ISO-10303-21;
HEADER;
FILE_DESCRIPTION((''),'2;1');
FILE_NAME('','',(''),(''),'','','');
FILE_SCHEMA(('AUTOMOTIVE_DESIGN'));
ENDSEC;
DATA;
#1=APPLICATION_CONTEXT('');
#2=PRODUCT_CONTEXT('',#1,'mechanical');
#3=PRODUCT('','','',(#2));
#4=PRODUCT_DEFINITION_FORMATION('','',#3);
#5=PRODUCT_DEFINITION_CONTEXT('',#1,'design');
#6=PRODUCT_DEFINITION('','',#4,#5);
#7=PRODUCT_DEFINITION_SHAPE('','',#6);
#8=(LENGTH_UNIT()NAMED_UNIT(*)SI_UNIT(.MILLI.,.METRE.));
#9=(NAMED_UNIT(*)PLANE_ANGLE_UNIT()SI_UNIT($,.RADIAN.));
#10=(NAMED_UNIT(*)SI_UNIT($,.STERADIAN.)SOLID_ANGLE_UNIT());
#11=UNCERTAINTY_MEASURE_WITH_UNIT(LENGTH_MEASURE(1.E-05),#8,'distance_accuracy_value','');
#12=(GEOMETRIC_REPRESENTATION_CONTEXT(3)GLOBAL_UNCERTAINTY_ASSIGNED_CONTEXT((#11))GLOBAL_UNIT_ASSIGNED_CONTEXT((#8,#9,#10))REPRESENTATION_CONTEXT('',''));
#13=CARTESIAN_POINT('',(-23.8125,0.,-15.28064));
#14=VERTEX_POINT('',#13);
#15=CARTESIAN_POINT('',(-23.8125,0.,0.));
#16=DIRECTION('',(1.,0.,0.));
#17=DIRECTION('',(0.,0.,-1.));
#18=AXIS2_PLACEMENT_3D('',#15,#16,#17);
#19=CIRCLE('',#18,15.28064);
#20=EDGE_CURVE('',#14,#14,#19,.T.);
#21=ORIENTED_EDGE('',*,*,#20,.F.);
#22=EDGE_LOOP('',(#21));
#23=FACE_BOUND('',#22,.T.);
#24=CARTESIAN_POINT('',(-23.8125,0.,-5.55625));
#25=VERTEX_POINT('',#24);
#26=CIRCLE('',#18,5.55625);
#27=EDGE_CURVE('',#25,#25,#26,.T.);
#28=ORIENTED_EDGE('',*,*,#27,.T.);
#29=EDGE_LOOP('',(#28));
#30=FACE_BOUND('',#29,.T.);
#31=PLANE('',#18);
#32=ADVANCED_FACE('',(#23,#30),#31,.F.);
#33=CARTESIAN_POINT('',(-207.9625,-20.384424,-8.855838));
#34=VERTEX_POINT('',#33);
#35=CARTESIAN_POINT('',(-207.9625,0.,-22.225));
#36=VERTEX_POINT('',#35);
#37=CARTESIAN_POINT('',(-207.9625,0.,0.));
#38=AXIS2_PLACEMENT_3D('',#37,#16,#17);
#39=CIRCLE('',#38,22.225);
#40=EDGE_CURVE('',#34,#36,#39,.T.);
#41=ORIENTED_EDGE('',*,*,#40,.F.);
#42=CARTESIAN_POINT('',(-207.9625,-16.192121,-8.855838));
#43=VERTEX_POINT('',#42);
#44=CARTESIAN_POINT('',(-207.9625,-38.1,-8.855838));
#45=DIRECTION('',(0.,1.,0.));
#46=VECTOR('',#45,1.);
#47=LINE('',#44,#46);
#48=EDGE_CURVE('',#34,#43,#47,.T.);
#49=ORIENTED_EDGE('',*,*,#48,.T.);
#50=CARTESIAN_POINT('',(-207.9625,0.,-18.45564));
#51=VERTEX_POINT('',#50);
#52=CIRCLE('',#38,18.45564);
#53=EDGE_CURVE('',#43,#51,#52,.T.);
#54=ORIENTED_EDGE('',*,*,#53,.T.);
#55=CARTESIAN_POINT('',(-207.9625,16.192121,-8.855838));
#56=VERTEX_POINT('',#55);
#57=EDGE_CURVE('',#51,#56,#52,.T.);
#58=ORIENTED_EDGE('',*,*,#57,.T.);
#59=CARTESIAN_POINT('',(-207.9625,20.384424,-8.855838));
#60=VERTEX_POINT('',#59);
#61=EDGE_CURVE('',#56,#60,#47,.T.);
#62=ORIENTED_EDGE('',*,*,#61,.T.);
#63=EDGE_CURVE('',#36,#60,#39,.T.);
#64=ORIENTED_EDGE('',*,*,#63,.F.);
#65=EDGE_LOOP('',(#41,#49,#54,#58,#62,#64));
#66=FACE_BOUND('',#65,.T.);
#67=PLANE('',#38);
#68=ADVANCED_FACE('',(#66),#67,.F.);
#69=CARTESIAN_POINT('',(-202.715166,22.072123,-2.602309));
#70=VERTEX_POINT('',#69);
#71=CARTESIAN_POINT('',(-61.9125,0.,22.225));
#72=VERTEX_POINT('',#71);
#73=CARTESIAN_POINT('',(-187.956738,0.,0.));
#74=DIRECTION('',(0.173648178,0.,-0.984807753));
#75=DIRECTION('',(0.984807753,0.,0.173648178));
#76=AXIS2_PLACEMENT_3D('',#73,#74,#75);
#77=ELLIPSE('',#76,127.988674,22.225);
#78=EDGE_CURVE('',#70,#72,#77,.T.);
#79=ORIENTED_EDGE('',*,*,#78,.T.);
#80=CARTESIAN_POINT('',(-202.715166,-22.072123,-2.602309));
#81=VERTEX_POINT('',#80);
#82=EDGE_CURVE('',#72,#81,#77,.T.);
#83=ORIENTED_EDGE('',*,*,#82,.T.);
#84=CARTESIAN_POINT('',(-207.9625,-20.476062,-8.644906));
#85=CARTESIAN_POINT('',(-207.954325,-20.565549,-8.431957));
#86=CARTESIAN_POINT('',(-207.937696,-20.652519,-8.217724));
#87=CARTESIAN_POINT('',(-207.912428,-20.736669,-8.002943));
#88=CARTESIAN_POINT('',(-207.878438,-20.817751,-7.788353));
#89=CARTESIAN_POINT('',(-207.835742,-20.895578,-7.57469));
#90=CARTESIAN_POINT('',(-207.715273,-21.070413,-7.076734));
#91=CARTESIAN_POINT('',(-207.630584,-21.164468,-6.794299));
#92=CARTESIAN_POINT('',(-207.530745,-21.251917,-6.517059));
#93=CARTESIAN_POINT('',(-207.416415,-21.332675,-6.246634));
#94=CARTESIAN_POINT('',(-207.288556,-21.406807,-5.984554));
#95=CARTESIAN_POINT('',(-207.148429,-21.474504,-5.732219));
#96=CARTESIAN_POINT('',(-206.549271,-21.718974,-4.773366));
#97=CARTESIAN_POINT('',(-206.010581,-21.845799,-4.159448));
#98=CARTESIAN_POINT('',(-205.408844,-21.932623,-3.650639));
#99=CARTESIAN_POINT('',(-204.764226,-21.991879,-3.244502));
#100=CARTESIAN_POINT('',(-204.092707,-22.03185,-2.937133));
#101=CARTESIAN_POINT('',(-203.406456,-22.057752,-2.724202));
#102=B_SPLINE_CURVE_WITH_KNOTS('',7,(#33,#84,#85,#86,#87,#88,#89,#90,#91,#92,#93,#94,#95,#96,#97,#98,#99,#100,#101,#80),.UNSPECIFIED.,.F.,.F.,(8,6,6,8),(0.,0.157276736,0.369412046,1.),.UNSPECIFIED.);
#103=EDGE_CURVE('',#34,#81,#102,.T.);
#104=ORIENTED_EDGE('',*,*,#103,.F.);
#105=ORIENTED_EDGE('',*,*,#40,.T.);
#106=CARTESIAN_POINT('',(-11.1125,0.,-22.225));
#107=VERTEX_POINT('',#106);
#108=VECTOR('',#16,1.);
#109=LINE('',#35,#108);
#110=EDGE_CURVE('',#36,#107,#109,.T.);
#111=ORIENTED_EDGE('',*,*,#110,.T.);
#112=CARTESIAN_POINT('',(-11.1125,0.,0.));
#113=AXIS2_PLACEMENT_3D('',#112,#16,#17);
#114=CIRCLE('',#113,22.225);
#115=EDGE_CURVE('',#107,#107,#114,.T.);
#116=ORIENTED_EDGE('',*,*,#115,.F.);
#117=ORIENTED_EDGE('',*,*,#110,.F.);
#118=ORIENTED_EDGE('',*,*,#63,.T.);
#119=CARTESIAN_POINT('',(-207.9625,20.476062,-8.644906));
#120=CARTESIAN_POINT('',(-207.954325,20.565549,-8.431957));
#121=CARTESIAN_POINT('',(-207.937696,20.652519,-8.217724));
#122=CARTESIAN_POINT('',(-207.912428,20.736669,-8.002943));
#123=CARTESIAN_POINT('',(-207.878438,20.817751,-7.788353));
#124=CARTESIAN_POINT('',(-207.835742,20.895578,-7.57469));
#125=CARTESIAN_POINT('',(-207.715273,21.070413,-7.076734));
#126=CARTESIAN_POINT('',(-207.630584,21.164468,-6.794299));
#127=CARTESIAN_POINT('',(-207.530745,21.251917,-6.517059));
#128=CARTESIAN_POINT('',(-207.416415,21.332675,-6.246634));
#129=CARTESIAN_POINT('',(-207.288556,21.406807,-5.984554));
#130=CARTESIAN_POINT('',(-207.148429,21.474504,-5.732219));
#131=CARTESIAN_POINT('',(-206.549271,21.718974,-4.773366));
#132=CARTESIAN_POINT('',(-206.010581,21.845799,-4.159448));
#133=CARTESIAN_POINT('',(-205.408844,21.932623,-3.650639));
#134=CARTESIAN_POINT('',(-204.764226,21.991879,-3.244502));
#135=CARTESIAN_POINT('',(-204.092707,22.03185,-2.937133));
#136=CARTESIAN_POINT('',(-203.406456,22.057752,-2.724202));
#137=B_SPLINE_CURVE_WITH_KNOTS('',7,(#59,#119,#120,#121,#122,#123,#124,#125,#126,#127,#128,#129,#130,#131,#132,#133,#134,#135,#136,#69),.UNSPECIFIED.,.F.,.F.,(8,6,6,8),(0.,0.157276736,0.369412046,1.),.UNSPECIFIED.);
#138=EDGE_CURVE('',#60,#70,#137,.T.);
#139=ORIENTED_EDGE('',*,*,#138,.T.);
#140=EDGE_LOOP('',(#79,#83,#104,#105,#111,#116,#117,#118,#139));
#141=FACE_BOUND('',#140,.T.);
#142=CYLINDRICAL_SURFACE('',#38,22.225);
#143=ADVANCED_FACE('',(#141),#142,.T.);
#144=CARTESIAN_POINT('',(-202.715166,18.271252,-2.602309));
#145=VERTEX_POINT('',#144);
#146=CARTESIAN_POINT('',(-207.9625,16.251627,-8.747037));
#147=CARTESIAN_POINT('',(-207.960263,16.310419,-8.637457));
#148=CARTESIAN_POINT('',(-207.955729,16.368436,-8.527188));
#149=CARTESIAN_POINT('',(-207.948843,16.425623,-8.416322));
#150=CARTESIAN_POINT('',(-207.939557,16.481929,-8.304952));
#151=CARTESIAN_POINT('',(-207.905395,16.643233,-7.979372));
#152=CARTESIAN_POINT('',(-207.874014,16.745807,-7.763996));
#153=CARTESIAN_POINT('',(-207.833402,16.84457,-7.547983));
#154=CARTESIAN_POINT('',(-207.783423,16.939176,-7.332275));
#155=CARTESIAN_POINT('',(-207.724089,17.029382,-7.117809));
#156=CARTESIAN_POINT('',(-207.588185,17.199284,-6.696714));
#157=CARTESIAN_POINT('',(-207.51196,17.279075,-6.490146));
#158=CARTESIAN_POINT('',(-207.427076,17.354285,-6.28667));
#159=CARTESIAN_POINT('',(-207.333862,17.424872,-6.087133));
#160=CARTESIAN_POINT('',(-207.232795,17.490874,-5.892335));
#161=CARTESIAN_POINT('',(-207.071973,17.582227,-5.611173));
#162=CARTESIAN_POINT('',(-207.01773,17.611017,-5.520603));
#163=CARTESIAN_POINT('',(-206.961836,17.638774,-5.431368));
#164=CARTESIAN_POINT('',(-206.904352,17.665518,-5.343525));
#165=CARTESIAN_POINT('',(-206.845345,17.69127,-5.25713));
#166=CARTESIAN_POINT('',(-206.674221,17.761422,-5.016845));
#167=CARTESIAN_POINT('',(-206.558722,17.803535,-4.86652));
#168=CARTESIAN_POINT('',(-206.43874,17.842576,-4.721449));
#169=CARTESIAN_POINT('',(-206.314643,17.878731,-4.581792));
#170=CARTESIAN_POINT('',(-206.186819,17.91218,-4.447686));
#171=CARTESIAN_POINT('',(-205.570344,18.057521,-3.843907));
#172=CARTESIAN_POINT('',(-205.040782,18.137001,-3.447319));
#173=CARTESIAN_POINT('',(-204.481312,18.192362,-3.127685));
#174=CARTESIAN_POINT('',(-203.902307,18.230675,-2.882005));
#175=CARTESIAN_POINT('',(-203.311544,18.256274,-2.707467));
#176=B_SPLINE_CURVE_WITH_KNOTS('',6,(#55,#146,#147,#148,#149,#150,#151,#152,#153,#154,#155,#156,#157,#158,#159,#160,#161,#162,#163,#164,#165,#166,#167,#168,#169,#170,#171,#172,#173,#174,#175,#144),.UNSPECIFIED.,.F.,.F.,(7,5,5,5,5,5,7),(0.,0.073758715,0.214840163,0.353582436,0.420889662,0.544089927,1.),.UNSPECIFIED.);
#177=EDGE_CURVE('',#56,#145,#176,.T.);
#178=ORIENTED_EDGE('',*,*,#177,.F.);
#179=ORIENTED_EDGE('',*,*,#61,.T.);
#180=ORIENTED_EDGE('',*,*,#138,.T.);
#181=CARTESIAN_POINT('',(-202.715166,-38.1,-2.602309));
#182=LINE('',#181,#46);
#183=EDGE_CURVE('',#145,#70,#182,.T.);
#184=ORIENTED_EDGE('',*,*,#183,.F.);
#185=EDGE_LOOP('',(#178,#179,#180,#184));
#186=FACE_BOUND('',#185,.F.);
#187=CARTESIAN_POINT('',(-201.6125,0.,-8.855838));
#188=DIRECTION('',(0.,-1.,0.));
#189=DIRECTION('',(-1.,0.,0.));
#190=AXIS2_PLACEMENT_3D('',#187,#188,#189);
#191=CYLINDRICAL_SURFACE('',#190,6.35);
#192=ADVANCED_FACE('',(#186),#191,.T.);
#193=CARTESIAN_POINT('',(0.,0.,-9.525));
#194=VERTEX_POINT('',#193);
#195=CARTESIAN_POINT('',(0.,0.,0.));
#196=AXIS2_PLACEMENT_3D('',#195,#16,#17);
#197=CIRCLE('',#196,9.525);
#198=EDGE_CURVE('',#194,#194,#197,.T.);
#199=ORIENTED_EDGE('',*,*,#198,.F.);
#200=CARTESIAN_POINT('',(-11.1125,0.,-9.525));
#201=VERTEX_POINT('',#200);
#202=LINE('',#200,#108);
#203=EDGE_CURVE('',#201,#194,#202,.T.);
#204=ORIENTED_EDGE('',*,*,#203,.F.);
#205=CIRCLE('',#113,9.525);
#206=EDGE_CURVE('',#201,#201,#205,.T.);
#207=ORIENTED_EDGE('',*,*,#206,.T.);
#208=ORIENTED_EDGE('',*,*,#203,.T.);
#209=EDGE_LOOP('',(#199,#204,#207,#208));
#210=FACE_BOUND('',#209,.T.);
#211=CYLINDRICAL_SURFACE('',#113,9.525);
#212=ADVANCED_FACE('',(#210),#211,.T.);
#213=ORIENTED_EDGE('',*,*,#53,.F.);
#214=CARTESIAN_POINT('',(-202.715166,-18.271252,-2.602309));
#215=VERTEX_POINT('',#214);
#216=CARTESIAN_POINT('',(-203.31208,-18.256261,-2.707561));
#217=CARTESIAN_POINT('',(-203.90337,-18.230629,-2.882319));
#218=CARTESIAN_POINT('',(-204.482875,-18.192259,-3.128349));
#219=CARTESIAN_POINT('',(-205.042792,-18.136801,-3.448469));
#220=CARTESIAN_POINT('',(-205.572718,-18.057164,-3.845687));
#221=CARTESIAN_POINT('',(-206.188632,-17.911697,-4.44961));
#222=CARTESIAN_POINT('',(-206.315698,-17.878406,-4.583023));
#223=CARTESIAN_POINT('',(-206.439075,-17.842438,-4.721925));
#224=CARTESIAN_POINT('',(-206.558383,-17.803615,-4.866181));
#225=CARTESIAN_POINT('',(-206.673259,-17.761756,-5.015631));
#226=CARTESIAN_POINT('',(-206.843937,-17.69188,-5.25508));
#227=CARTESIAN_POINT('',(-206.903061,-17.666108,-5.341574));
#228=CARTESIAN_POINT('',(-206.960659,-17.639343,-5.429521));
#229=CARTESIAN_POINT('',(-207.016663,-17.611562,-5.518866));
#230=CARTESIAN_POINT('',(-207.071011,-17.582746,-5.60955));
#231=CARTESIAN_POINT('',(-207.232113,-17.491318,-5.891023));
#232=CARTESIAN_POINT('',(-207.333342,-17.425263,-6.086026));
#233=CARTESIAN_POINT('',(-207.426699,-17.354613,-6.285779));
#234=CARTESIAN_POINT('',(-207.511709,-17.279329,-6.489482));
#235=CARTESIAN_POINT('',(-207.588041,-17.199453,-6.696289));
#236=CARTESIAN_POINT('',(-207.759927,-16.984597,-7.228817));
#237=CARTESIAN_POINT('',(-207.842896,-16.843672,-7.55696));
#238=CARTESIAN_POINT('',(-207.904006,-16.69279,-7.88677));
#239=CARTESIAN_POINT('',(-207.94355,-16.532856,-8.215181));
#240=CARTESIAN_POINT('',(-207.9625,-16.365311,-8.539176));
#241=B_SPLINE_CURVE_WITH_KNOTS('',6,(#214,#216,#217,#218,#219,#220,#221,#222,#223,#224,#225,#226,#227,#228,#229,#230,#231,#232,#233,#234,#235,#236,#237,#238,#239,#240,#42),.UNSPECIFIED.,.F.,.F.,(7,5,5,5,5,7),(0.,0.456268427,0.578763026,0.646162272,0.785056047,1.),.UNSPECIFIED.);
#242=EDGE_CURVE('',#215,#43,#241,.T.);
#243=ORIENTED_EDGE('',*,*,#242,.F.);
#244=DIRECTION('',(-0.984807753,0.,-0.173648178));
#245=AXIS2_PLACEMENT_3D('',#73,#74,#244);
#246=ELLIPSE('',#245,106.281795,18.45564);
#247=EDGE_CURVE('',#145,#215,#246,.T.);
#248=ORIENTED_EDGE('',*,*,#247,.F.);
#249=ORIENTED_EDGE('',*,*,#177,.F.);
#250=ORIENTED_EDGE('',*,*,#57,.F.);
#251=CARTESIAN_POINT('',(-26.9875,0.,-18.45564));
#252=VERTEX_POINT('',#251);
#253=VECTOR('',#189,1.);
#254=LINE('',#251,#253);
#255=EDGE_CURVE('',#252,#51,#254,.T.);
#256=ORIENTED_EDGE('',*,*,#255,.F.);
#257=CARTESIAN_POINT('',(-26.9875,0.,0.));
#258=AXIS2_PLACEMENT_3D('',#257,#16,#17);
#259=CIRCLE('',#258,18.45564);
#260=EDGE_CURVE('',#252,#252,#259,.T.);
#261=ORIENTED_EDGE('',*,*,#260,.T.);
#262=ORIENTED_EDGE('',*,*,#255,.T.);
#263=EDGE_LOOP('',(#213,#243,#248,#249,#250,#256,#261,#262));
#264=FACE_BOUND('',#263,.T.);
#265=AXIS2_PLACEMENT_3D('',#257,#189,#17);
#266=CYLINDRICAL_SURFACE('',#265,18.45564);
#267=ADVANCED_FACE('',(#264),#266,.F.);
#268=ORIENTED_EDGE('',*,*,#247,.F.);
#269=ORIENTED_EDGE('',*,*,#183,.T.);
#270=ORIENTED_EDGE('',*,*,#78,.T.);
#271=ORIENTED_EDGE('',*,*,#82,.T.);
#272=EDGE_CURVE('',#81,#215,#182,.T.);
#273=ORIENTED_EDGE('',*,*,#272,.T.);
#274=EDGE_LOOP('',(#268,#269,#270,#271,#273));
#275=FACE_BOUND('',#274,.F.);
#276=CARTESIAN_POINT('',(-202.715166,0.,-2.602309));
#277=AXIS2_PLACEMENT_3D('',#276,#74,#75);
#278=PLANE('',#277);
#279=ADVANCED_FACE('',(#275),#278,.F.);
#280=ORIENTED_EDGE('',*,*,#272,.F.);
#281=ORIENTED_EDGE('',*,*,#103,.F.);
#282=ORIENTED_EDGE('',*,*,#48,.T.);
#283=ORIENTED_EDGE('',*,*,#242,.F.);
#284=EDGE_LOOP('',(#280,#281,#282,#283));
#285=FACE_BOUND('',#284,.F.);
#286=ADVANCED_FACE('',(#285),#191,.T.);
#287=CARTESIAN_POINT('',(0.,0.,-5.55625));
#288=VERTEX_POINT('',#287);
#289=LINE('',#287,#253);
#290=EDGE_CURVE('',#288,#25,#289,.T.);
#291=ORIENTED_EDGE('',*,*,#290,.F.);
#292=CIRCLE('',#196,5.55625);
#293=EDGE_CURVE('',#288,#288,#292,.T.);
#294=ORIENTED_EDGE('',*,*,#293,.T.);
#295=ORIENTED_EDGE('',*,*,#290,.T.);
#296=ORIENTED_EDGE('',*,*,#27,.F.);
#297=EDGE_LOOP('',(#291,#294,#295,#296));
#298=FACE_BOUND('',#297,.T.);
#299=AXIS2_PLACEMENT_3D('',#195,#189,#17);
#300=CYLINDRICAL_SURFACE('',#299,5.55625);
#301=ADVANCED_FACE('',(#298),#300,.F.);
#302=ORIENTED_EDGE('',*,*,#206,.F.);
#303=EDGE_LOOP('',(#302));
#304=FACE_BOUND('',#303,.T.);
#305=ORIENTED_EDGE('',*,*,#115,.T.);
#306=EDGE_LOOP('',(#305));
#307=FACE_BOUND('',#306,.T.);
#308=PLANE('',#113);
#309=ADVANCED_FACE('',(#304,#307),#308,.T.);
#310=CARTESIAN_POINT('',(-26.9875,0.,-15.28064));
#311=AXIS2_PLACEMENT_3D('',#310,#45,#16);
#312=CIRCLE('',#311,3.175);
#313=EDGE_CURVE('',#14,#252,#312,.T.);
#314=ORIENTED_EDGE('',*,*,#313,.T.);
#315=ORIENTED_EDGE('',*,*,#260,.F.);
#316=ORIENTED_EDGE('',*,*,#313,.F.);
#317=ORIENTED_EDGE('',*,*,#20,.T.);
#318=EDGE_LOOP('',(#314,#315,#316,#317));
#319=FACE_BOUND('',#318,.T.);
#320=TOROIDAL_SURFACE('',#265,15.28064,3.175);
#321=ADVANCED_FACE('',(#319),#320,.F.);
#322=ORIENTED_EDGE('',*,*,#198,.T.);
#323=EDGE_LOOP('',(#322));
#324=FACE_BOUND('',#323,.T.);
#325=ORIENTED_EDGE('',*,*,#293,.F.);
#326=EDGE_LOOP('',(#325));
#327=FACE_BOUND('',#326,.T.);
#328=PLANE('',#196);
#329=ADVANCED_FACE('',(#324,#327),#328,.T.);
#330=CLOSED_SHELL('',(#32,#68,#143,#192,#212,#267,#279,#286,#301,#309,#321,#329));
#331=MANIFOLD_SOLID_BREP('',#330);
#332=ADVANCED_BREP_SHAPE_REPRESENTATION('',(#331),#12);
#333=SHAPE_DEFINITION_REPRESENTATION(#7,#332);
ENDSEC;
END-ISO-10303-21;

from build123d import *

# Parameters (mm, degrees)
F3_DEPTH = 38.1


with BuildPart() as f1:
    # F0 (on Front) → F1 (revolve)
    with BuildSketch(Plane.XZ):
        with BuildLine():
            Line((-11.1125, -9.525), (0, -9.525))
            Line((0, -9.525), (0, -5.55625))
            Line((0, -5.55625), (-23.8125, -5.55625))
            Line((-23.8125, -5.55625), (-23.8125, -15.28064))
            ThreePointArc((-23.8125, -15.28064), (-24.7424359697, -17.5257040303), (-26.9875, -18.45564))
            Line((-26.9875, -18.45564), (-207.9625, -18.45564))
            Line((-207.9625, -18.45564), (-207.9625, -22.225))
            Line((-207.9625, -22.225), (-11.1125, -22.225))
            Line((-11.1125, -22.225), (-11.1125, -9.525))
        make_face()
    revolve(axis=Axis((-103.98125, 0, 0), (1, 0, 0)))

    # F2 (on Front) → F3 (cut, symmetric)
    with BuildSketch(Plane.XZ):
        with BuildLine():
            Line((-61.9125, 22.225), (-214.3125, 22.225))
            Line((-214.3125, 22.225), (-214.3125, -22.225))
            Line((-214.3125, -22.225), (-207.9625, -22.225))
            Line((-207.9625, -22.225), (-207.9625, -8.8558381904))
            ThreePointArc((-207.9625, -8.8558381904), (-206.4768822138, -4.7741368689), (-202.7151659282, -2.6023089588))
            Line((-202.7151659282, -2.6023089588), (-61.9125, 22.225))
        make_face()
    extrude(amount=F3_DEPTH, both=True, mode=Mode.SUBTRACT)


solid = f1.part
